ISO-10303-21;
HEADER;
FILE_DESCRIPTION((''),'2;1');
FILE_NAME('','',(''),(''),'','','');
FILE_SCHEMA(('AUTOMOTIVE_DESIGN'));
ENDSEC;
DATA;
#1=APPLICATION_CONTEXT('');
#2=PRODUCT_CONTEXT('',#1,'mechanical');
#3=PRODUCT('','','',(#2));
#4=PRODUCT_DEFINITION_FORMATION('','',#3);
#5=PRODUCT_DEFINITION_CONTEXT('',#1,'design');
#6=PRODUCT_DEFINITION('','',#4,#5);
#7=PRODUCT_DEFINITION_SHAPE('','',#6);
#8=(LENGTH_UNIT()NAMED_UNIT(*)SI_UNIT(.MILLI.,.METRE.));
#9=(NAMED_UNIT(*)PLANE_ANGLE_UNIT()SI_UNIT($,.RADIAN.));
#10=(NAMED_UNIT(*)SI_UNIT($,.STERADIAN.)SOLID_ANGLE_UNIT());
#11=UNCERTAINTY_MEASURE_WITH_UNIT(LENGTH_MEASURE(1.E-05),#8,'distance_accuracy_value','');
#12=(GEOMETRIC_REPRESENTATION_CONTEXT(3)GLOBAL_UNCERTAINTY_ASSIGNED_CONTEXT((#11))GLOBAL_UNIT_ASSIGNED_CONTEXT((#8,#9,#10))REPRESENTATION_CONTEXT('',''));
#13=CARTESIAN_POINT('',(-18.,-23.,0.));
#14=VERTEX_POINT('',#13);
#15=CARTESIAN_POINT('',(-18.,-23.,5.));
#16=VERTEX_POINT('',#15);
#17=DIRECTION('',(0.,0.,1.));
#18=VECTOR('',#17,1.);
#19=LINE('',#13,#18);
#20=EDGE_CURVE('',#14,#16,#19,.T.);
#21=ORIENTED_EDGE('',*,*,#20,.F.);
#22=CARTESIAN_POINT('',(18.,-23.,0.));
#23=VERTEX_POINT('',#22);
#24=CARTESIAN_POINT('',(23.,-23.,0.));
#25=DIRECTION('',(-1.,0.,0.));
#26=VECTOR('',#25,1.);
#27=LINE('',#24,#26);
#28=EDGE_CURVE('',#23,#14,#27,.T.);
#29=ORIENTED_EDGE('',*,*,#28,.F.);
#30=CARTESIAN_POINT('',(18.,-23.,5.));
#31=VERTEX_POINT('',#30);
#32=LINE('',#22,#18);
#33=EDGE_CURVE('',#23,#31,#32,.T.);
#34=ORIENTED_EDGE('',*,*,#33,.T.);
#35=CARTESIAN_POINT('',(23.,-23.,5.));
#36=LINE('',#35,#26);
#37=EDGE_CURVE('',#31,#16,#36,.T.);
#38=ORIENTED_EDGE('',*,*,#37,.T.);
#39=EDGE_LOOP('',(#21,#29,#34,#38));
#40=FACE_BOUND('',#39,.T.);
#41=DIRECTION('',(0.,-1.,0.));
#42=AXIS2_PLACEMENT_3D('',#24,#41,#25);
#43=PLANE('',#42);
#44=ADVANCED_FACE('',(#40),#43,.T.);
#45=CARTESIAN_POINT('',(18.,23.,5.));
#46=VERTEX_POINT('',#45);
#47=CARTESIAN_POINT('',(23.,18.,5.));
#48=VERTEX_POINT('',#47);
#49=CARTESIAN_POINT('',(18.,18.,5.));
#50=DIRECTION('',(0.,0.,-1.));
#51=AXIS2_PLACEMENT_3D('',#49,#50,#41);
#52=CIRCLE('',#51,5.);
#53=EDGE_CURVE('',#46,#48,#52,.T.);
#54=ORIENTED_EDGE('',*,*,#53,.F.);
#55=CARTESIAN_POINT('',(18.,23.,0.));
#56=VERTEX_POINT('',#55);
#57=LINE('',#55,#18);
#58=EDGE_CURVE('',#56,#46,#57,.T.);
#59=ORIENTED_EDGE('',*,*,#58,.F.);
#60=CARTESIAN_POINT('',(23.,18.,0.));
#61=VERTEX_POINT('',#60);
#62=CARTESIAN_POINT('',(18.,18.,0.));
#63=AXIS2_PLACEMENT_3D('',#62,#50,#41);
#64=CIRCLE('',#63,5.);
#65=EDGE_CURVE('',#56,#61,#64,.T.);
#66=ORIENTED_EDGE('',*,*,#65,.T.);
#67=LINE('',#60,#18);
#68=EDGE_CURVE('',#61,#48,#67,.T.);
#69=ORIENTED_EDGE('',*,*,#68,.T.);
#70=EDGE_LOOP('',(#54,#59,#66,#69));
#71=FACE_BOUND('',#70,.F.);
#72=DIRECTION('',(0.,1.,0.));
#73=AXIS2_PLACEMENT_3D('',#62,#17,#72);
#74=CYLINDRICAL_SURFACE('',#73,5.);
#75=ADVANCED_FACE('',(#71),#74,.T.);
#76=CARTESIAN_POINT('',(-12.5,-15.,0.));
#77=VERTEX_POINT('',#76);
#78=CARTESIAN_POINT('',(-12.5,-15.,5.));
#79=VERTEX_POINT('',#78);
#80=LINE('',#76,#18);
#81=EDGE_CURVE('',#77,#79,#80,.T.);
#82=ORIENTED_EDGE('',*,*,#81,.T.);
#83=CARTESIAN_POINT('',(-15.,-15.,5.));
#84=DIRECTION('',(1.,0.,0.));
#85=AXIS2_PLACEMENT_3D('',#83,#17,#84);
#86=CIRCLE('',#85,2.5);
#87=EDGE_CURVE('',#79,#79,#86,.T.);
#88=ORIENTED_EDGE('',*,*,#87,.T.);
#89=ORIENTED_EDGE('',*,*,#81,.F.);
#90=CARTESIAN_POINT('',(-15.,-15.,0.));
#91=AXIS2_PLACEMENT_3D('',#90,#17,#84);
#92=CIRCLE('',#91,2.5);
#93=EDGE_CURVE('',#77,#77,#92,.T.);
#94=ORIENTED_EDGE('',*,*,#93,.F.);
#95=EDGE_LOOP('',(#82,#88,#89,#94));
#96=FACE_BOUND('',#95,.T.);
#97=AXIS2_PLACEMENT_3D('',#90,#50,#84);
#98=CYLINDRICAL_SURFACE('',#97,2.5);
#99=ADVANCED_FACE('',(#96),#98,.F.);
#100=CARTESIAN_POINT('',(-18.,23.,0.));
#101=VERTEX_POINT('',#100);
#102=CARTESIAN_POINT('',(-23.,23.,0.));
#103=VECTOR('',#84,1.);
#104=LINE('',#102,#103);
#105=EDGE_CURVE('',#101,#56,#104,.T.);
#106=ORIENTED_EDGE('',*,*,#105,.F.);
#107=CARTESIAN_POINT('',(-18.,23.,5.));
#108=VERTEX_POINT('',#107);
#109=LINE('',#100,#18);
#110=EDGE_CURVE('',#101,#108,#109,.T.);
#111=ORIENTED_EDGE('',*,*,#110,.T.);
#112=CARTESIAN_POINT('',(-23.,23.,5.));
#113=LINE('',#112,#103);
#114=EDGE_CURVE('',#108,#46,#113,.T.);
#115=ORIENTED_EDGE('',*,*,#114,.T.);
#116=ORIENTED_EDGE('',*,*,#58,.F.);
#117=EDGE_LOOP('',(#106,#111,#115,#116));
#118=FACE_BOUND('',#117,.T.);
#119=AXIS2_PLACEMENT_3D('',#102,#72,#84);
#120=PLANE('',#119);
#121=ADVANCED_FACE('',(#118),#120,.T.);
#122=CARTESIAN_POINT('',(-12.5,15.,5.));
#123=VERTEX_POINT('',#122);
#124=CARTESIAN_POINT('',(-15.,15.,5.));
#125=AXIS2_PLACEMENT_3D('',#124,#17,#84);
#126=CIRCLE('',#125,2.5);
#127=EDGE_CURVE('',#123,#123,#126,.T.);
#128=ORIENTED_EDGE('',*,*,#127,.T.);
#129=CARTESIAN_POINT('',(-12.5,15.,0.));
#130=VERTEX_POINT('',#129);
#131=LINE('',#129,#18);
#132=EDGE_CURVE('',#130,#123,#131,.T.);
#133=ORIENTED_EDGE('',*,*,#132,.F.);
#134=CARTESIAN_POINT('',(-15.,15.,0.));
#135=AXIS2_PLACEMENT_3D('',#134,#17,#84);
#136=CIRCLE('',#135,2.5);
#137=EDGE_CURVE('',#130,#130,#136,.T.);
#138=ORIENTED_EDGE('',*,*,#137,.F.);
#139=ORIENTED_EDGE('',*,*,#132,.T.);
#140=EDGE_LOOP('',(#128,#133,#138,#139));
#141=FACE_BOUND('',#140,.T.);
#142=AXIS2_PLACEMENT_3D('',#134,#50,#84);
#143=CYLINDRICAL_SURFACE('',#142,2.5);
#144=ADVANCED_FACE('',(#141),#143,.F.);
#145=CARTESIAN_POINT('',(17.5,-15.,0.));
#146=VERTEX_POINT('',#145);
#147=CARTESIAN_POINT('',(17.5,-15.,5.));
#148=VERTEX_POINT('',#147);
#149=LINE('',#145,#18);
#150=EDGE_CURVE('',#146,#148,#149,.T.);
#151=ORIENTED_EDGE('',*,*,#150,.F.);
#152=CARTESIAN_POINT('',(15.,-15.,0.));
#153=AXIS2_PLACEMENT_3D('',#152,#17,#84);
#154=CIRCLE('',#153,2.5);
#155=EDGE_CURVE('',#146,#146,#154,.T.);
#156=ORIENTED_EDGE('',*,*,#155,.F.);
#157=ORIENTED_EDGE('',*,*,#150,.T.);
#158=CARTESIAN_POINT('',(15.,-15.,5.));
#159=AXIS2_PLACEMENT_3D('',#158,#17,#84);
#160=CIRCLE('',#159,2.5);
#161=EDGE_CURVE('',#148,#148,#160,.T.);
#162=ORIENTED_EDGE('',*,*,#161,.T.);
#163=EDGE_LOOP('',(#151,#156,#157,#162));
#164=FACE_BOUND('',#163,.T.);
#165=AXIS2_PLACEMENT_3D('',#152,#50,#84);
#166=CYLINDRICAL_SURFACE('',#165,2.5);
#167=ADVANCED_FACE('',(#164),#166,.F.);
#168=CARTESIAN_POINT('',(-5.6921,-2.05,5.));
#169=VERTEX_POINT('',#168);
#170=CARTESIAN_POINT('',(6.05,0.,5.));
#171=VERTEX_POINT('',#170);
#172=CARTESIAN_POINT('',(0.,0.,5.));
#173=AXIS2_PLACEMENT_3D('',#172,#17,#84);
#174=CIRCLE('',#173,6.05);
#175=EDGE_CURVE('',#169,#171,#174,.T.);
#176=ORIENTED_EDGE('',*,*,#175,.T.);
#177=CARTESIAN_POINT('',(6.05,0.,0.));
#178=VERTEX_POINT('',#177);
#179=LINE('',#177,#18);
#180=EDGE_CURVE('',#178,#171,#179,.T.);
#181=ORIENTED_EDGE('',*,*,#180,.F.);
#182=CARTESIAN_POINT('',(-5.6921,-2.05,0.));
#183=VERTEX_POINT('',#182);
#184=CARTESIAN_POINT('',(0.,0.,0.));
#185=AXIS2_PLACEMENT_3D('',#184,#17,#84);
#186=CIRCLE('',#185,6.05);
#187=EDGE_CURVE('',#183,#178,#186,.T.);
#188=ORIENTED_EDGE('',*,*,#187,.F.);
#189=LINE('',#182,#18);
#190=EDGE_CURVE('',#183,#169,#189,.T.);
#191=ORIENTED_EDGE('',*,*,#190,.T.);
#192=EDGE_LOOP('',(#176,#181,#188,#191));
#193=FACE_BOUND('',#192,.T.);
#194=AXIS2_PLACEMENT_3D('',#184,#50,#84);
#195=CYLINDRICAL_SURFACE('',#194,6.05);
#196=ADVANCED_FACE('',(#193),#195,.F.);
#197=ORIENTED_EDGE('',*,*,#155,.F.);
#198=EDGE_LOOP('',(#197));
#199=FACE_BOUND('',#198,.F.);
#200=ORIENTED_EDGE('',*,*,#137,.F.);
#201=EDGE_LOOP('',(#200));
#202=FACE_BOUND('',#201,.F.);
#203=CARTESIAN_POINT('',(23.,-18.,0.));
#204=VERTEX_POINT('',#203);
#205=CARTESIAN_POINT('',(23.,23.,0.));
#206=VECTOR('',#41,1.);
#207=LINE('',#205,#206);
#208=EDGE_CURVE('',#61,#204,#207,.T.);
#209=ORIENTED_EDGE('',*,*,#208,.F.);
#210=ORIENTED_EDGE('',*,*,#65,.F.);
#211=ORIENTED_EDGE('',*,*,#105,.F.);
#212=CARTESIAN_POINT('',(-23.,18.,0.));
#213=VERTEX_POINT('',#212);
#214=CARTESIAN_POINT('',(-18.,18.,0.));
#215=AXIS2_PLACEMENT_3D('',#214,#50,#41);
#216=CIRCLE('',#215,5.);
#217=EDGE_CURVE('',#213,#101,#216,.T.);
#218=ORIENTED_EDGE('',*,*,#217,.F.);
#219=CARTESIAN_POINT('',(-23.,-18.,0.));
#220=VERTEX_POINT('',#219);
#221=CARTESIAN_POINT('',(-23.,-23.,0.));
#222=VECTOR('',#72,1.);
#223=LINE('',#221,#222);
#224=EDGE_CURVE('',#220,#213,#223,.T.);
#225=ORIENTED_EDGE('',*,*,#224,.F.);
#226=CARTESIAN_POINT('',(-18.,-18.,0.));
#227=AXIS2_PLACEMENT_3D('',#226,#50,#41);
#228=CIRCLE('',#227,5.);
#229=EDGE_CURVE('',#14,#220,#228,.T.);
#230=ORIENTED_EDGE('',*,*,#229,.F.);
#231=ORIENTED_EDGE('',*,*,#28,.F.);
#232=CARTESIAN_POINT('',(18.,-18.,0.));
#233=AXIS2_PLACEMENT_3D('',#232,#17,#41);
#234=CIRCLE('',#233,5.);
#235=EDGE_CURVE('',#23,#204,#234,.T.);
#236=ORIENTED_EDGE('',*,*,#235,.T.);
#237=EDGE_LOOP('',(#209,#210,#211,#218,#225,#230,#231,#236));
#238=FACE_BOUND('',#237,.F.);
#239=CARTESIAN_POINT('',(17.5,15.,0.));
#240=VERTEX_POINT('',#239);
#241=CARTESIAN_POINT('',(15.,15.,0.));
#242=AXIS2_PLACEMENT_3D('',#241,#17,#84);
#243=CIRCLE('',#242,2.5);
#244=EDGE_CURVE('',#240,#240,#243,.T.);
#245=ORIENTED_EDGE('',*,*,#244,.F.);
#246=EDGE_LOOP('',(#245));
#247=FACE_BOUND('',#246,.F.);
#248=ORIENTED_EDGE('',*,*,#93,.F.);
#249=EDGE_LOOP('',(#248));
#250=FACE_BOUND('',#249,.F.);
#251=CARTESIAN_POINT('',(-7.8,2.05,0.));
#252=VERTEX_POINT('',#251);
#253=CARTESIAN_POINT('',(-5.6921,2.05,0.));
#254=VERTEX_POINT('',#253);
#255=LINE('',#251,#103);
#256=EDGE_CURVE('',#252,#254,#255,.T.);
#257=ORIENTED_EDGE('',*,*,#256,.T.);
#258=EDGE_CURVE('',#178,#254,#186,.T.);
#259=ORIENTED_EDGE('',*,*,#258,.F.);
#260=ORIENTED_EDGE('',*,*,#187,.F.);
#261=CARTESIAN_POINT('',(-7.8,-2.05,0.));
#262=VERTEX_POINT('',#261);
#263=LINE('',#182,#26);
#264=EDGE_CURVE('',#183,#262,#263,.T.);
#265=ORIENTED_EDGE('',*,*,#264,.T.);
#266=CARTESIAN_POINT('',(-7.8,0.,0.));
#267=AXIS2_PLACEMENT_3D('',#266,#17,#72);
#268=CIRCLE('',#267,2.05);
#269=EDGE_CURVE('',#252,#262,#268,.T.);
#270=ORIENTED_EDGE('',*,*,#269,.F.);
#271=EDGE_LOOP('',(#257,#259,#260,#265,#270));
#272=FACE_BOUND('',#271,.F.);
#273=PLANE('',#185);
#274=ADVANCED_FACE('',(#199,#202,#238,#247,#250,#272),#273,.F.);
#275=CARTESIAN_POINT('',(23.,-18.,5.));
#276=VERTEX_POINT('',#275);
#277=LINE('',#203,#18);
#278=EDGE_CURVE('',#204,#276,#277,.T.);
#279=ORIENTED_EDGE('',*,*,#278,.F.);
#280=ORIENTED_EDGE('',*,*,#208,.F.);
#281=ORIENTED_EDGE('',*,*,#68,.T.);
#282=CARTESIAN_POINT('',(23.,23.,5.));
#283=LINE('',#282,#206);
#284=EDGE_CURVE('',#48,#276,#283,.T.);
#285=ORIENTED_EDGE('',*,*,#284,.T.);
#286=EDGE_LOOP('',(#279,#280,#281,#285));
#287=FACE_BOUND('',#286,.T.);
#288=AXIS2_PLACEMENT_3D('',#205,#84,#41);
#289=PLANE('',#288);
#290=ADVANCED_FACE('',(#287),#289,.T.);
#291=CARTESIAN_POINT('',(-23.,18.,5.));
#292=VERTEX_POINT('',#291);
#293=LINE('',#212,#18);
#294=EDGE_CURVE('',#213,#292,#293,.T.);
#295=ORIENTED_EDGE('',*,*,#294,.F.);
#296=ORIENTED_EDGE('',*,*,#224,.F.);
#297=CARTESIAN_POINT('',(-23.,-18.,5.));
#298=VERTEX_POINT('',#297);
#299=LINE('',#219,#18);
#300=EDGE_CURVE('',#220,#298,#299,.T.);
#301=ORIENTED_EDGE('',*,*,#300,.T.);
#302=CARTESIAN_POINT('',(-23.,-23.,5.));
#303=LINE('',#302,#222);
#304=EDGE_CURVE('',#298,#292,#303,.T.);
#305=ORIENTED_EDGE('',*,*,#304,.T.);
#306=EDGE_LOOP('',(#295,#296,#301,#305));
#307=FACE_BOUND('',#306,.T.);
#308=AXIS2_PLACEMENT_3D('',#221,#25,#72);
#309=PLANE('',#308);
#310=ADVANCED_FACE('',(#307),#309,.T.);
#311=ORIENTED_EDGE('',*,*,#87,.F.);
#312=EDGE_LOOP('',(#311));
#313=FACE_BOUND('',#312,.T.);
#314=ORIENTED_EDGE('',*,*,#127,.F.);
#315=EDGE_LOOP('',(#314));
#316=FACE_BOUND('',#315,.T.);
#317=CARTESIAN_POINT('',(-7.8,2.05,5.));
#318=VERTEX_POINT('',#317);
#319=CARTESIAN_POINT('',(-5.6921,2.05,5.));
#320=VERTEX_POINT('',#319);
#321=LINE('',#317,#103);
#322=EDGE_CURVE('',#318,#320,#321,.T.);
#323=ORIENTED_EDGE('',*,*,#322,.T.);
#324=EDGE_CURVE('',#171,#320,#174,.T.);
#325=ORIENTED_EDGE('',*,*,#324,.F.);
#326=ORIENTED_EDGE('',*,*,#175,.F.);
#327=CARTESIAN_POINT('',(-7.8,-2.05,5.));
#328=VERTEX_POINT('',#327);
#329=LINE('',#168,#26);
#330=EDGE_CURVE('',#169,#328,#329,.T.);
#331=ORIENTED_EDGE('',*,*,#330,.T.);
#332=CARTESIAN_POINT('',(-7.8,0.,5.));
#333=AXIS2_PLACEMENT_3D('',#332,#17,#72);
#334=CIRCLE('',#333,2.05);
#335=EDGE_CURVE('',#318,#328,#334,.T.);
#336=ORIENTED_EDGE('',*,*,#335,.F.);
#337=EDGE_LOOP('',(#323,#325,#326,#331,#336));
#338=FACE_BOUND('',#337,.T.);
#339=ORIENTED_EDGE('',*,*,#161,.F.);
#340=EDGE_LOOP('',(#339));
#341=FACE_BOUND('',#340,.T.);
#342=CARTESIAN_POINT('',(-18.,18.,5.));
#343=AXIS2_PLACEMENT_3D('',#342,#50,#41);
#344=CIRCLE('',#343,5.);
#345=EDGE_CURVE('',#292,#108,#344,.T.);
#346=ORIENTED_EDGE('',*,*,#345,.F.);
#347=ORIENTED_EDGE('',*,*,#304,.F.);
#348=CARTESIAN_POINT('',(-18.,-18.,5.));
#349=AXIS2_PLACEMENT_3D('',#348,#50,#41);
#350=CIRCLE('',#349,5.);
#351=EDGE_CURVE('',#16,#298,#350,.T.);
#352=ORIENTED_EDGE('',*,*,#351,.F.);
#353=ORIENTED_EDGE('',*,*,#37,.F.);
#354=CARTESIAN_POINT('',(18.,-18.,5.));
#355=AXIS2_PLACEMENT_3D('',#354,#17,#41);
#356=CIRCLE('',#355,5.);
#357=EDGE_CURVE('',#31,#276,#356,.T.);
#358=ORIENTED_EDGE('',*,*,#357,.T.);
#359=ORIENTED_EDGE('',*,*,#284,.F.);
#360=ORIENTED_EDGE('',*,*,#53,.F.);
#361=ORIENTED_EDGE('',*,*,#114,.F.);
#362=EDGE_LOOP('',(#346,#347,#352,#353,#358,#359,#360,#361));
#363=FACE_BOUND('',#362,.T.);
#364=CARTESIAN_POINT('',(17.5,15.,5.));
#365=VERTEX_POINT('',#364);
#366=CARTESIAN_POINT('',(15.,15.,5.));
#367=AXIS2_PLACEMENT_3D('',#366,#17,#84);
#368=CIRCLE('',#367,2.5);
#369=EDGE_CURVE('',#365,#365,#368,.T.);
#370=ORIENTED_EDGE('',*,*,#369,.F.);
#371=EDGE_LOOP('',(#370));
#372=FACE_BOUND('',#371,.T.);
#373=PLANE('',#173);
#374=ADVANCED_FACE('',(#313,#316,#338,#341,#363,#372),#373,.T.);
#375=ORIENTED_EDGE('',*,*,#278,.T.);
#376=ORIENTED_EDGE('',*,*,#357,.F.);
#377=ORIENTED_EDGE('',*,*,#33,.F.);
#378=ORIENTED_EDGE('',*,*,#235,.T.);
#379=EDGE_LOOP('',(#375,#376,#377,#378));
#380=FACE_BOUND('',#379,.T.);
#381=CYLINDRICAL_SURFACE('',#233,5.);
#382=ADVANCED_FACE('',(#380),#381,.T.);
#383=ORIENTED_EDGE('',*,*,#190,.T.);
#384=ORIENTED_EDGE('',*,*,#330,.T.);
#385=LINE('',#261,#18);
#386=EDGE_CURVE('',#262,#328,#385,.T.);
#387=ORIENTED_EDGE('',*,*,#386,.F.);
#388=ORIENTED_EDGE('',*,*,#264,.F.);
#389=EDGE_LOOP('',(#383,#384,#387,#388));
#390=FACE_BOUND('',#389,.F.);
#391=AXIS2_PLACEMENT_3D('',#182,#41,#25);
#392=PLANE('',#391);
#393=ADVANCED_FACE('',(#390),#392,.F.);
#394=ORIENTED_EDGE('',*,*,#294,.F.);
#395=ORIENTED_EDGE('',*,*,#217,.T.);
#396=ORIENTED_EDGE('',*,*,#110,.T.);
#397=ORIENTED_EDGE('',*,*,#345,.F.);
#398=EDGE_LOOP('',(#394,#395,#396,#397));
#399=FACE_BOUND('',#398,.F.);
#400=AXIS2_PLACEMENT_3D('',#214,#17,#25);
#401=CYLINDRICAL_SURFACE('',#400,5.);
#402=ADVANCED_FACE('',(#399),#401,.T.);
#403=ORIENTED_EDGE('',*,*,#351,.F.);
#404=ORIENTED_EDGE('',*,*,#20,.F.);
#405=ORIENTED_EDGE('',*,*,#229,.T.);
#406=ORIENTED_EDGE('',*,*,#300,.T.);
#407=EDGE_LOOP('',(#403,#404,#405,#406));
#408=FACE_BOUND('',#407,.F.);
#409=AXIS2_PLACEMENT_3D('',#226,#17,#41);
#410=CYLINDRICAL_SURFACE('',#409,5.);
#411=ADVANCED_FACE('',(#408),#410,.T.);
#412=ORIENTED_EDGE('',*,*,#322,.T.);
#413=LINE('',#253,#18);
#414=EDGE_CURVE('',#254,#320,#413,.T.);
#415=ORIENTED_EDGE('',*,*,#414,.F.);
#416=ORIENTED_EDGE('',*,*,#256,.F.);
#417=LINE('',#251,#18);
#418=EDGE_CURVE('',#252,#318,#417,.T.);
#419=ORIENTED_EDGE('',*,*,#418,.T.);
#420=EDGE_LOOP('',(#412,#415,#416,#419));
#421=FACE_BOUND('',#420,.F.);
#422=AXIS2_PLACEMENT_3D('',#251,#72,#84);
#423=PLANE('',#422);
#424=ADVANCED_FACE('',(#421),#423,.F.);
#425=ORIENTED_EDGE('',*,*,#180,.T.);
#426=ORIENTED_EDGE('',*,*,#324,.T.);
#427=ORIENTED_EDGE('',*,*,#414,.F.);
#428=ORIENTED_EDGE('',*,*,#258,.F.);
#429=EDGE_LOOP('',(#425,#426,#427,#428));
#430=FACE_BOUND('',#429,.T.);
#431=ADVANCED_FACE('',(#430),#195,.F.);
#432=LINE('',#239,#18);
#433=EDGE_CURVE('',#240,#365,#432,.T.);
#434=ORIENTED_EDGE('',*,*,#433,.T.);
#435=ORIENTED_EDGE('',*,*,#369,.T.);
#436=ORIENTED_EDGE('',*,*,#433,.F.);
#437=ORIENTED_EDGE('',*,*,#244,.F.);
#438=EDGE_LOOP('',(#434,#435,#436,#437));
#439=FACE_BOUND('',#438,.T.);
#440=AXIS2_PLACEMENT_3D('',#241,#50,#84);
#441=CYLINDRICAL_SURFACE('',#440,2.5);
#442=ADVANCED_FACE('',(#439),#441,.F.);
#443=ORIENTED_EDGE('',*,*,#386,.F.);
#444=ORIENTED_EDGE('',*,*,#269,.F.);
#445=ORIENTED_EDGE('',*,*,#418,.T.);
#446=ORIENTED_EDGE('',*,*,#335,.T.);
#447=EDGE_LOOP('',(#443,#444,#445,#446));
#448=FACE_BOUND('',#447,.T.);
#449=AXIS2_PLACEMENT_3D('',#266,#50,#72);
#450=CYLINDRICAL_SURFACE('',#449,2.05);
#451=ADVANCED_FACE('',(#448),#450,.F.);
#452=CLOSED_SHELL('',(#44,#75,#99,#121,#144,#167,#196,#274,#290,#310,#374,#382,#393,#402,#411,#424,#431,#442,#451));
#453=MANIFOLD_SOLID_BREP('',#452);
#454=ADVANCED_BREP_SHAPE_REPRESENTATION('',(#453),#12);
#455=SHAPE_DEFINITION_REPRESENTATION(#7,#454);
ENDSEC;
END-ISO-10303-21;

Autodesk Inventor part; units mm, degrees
ref_plane "YZ Plane" through (0, 0, 0) normal (1, 0, 0) x (0, 1, 0)
ref_plane "XZ Plane" through (0, 0, 0) normal (0, 1, 0) x (-1, 0, 0)
ref_plane "XY Plane" through (0, 0, 0) normal (0, 0, 1) x (1, 0, 0)
sketch "スケッチ1" plane through (0, 0, 0) normal (0, 0, 1) x (1, 0, 0)
  line L0 (-70.6589, 70.6589) -> (71.9048, -71.9048) construction
  line L1 (17.3902, 17.3902) -> (-17.3902, -17.3902) construction
  circle A0 centre (0, 0) radius 6.05
  circle A1 centre (15, 15) radius 2.5
  circle A2 centre (-15, 15) radius 2.5
  circle A3 centre (-15, -15) radius 2.5
  circle A4 centre (15, -15) radius 2.5
  line L2 (0, 0) -> (-101.8131, 0) construction
  line L3 (-5.6921, -2.05) -> (-7.8, -2.05)
  arc A5 (-7.8, 2.05) -> (-7.8, -2.05) centre (-7.8, 0) ccw
  line L4 (-7.8, 2.05) -> (-5.6921, 2.05)
  line L5 (-7.8, -2.05) -> (-7.8, 2.05) construction
  line L6 (23, -23) -> (-23, -23)
  line L7 (-23, -23) -> (-23, 23)
  line L8 (-23, 23) -> (23, 23)
  line L9 (23, 23) -> (23, -23)
  line L10 (23, -23) -> (-23, 23) construction
  line L11 (-15, 15) -> (15, 15) construction
  line L12 (15, 15) -> (15, -15) construction
  line L13 (15, -15) -> (-15, -15) construction
  line L14 (-15, -15) -> (-15, 15) construction
  point P0 (0, 0)
  point P1 (-6.05, 0)
  dimension "d5" = 12.1
  dimension "d8" = 5
  dimension "d12" = 360
  dimension "d17" = 45
  dimension "d18" = 4.1
  dimension "d23" = 46
  dimension "d25" = 30
  dimension "d26" = 46
  dimension "d28" = 7.8
extrude "押し出し2" add sketch "スケッチ1" along normal blind 5
fillet "フィレット2" radius 5 4 edges at (-23, 23, 2.5) (23, 23, 2.5) (23, -23, 2.5) (-23, -23, 2.5)
properties part number "車輪ハブ1"
